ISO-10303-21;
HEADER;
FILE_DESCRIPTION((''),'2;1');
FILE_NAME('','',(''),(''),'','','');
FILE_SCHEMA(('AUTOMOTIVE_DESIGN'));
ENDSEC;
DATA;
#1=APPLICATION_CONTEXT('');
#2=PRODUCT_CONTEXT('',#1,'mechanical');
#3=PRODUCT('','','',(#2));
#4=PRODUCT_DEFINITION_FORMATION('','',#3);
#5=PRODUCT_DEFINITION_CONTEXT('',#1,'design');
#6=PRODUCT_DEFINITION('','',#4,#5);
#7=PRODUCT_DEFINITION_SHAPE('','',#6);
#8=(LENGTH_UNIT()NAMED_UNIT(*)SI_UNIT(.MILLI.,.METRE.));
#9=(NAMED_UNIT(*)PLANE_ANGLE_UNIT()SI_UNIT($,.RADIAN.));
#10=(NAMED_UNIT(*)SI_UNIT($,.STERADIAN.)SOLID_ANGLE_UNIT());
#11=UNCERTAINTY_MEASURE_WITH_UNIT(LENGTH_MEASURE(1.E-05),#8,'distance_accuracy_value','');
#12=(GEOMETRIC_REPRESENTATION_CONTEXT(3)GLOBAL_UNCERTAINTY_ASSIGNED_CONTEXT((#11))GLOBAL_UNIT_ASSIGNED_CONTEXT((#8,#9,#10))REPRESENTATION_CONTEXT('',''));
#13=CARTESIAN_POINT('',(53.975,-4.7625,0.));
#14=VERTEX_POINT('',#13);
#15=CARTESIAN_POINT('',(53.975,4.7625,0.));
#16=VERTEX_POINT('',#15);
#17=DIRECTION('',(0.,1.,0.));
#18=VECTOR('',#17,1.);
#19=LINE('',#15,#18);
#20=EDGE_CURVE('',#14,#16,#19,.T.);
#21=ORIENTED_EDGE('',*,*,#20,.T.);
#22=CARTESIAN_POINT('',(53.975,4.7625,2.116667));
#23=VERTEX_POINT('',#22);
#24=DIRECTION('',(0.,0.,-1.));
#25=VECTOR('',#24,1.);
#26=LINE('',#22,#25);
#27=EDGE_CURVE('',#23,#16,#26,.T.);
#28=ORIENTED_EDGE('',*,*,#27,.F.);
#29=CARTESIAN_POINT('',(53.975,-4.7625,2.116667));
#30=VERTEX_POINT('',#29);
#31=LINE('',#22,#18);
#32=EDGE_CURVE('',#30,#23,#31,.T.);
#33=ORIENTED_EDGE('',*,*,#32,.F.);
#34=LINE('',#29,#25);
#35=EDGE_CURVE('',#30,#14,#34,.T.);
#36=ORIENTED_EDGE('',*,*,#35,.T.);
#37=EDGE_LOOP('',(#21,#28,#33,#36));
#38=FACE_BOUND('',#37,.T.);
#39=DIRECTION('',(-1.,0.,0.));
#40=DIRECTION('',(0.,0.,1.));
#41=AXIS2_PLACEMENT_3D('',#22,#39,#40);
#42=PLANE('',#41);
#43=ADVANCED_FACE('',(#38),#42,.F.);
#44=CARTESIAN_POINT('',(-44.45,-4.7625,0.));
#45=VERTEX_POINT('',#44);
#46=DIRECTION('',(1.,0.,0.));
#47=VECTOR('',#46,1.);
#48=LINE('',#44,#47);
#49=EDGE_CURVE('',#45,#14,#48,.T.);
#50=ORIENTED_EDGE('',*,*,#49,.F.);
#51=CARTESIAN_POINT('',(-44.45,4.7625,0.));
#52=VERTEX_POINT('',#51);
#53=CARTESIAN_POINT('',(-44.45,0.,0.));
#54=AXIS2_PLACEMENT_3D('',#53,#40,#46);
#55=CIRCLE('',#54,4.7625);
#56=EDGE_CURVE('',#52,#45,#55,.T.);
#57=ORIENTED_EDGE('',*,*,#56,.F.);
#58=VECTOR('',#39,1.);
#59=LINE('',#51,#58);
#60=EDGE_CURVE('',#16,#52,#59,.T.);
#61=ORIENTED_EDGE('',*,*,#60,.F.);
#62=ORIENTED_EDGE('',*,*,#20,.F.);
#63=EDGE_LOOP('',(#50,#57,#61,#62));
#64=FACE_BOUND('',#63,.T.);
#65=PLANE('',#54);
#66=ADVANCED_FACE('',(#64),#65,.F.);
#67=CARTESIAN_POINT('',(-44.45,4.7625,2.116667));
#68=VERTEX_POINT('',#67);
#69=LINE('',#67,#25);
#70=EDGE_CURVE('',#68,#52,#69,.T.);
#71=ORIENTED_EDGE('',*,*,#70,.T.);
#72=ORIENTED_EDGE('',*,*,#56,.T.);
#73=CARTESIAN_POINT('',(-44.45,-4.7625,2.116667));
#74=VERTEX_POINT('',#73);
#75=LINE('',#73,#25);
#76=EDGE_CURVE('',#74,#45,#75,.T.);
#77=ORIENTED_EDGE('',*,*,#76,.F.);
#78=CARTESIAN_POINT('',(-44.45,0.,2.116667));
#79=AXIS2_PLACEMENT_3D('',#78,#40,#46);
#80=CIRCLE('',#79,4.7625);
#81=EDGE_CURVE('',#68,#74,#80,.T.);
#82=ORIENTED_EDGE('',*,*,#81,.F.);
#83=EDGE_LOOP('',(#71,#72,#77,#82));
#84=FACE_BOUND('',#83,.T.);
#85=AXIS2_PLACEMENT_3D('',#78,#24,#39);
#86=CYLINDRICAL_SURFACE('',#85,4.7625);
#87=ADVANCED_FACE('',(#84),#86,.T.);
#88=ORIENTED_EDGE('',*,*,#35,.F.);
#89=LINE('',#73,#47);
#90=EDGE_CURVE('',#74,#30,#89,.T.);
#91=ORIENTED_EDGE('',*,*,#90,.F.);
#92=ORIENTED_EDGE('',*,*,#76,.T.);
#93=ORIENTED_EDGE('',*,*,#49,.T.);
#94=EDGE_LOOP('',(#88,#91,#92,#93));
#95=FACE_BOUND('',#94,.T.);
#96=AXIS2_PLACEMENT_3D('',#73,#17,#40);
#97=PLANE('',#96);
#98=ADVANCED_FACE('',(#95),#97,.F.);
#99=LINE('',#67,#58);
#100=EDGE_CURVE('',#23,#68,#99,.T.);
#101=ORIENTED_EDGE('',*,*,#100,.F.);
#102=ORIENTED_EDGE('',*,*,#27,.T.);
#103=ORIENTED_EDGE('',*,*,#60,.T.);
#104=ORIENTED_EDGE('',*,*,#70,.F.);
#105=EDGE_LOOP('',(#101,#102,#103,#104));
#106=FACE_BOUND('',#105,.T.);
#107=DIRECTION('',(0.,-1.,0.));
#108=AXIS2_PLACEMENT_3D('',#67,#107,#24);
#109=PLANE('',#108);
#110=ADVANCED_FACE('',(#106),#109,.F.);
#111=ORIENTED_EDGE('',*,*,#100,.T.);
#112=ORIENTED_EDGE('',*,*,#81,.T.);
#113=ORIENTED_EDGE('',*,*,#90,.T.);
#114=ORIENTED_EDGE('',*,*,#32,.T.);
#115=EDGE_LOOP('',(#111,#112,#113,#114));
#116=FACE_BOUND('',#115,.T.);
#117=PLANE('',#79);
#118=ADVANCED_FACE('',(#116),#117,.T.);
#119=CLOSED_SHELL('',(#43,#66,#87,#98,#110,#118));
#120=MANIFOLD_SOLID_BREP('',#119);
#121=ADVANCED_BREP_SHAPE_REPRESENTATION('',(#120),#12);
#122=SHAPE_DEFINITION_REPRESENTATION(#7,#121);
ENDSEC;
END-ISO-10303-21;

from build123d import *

# Parameters (mm, degrees)
BOSS_EXTRUDE1_DEPTH = 2.116666667


with BuildPart() as part:
    # Sketch1 → Boss-Extrude1 (new body)
    with BuildSketch(Plane.XY):
        with BuildLine():
            Line((-44.45, 4.7625), (53.975, 4.7625))
            Line((53.975, 4.7625), (53.975, -4.7625))
            Line((53.975, -4.7625), (-44.45, -4.7625))
            ThreePointArc((-44.45, -4.7625), (-49.2125, 0), (-44.45, 4.7625))
        make_face()
    extrude(amount=BOSS_EXTRUDE1_DEPTH)


solid = part.part
